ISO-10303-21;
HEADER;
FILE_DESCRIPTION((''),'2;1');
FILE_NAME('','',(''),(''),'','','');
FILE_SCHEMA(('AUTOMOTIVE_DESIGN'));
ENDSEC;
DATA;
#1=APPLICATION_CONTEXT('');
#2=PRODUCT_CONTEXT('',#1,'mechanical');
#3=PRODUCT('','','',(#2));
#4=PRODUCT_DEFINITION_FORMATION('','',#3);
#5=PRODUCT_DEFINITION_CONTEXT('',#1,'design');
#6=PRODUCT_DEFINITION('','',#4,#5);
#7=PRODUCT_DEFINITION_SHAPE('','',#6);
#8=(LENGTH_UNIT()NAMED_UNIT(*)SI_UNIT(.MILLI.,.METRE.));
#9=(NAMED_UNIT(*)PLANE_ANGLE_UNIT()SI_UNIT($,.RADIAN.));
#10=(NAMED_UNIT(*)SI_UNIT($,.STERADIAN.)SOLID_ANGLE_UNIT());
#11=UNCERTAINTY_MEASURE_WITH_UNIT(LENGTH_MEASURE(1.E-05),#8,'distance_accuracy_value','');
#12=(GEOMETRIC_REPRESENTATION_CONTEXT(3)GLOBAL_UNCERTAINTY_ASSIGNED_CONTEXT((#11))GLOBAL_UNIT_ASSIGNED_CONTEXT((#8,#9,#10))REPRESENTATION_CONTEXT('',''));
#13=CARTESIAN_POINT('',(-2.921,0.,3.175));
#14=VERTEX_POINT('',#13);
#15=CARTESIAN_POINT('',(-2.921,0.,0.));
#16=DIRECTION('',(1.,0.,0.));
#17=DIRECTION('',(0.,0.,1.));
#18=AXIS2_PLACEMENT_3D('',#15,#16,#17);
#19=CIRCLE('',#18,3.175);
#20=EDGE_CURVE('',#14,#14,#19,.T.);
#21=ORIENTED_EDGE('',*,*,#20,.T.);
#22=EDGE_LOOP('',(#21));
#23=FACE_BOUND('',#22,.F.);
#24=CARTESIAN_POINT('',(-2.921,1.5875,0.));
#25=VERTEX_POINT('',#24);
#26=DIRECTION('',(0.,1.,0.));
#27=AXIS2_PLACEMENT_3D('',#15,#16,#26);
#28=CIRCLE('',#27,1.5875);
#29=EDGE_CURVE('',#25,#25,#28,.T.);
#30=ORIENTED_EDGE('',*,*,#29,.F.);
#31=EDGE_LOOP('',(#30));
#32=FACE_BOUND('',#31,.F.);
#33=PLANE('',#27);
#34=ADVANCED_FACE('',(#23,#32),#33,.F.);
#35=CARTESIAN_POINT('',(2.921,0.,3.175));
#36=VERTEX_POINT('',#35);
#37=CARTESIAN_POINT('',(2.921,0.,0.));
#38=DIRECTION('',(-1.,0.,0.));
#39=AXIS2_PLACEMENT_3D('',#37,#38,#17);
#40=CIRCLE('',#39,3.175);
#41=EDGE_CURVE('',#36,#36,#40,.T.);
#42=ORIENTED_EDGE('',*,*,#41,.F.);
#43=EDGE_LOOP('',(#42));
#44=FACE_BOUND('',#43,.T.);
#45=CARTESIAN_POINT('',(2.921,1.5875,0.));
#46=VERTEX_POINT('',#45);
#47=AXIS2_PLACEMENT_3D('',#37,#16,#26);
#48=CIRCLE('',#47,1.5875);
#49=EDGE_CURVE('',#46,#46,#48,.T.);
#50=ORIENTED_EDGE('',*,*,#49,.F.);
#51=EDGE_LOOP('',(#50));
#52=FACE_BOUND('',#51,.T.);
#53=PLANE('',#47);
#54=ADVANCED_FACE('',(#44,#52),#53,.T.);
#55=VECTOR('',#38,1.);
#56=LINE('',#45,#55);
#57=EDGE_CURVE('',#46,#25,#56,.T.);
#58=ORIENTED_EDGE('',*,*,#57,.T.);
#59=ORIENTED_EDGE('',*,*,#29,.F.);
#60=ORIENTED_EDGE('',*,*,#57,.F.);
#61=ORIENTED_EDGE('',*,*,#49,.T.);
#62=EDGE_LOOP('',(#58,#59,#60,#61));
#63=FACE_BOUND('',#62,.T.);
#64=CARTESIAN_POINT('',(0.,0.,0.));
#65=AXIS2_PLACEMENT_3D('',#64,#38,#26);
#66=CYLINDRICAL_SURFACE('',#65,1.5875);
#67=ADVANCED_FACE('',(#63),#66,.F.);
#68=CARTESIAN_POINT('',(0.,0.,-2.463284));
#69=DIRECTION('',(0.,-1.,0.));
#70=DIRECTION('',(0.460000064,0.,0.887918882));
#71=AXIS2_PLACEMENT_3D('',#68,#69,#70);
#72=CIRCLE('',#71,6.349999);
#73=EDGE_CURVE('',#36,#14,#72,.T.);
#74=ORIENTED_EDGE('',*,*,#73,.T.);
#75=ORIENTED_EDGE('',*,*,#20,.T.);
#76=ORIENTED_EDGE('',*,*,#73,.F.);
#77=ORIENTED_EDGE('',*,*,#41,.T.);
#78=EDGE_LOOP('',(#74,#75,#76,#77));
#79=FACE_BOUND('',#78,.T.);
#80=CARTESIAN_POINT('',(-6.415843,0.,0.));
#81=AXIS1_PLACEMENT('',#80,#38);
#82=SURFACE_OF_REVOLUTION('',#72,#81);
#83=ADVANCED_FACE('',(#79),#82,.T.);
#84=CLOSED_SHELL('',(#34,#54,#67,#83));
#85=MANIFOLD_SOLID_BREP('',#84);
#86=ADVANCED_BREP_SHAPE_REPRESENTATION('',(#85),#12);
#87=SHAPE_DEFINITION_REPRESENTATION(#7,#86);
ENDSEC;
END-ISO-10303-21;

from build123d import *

# Parameters (mm, degrees)
F0_R     = 3.175
F0_R_2   = 1.5875
F1_DEPTH = 2.921


with BuildPart() as f1:
    # F0 (on Right) → F1 (new body, symmetric)
    with BuildSketch(Plane.YZ):
        Circle(F0_R)
        Circle(F0_R_2, mode=Mode.SUBTRACT)
    extrude(amount=F1_DEPTH, both=True)

    # F2 (on Front) → F3 (revolve)
    with BuildSketch(Plane.XZ):
        with BuildLine():
            ThreePointArc((2.921, 3.175), (0, 3.886715), (-2.921, 3.175))
            Line((-2.921, 3.175), (2.921, 3.175))
        make_face()
    revolve(axis=Axis((-6.415843, 0, 0), (-1, 0, 0)))


solid = f1.part
